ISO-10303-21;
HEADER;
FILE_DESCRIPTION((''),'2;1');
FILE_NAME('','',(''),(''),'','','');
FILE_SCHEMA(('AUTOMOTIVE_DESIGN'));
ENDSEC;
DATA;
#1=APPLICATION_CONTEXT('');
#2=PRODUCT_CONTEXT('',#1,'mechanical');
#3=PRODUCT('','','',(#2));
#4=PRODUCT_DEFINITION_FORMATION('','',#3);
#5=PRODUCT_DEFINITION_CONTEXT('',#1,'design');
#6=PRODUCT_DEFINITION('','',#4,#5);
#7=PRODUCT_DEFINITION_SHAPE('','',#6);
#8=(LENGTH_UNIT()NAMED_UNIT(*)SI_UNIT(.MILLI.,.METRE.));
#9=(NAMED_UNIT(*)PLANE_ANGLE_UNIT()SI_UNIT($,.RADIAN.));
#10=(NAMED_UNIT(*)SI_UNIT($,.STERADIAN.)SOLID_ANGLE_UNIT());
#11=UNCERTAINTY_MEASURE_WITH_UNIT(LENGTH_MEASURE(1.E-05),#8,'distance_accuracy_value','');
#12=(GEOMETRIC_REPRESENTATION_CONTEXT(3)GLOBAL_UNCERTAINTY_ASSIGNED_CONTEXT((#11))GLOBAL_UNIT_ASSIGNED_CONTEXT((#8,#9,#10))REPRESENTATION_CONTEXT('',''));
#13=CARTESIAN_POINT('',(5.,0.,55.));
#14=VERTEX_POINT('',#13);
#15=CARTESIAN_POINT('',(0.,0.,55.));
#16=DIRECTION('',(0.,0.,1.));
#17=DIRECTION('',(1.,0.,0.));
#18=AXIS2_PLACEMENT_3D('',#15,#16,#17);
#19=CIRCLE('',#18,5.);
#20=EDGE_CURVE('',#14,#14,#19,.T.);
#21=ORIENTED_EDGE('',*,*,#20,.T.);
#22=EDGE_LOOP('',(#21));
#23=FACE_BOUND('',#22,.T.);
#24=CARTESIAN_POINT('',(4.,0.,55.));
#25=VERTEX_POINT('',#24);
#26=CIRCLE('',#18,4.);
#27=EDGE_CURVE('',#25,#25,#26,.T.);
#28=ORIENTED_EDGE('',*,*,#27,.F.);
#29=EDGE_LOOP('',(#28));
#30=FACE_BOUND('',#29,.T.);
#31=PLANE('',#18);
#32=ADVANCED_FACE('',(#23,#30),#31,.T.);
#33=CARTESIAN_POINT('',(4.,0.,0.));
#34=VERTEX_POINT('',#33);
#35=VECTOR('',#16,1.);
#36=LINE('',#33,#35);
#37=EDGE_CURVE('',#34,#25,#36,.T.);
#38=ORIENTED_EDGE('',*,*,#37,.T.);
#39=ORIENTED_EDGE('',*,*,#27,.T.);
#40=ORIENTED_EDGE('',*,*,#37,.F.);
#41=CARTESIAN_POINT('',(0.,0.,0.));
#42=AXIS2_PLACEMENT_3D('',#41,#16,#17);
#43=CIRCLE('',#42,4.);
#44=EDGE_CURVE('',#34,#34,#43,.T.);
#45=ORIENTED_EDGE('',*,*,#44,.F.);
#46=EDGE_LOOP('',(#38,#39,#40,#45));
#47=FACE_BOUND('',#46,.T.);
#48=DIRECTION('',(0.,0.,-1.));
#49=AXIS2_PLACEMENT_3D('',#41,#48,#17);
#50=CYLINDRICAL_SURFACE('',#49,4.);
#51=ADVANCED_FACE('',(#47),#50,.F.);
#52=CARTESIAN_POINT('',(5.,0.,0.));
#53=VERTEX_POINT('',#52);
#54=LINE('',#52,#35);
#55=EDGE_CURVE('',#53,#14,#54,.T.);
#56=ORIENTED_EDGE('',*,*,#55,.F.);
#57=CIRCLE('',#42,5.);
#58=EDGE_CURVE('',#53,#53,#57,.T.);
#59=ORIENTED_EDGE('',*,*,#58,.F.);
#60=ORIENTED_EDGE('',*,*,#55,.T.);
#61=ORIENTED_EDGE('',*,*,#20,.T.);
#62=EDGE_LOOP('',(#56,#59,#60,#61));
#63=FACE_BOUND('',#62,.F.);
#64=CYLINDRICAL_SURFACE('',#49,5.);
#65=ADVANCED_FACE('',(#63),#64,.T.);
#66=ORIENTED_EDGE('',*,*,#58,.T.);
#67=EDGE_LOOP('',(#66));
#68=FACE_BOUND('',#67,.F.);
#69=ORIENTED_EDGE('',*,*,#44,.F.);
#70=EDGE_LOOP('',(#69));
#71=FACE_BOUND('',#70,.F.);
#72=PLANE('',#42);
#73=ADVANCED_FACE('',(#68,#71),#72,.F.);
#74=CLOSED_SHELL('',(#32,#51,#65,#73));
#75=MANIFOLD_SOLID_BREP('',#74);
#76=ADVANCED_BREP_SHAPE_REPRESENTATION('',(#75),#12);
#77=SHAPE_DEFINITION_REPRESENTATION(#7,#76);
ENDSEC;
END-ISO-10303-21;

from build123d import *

# Parameters (mm, degrees)
SKETCH_R   = 5
SKETCH_R_2 = 4
PAD_DEPTH  = 55


with BuildPart() as part:
    # Sketch → Pad (new body)
    with BuildSketch(Plane.XY):
        Circle(SKETCH_R)
        Circle(SKETCH_R_2, mode=Mode.SUBTRACT)
    extrude(amount=PAD_DEPTH)


solid = part.part
